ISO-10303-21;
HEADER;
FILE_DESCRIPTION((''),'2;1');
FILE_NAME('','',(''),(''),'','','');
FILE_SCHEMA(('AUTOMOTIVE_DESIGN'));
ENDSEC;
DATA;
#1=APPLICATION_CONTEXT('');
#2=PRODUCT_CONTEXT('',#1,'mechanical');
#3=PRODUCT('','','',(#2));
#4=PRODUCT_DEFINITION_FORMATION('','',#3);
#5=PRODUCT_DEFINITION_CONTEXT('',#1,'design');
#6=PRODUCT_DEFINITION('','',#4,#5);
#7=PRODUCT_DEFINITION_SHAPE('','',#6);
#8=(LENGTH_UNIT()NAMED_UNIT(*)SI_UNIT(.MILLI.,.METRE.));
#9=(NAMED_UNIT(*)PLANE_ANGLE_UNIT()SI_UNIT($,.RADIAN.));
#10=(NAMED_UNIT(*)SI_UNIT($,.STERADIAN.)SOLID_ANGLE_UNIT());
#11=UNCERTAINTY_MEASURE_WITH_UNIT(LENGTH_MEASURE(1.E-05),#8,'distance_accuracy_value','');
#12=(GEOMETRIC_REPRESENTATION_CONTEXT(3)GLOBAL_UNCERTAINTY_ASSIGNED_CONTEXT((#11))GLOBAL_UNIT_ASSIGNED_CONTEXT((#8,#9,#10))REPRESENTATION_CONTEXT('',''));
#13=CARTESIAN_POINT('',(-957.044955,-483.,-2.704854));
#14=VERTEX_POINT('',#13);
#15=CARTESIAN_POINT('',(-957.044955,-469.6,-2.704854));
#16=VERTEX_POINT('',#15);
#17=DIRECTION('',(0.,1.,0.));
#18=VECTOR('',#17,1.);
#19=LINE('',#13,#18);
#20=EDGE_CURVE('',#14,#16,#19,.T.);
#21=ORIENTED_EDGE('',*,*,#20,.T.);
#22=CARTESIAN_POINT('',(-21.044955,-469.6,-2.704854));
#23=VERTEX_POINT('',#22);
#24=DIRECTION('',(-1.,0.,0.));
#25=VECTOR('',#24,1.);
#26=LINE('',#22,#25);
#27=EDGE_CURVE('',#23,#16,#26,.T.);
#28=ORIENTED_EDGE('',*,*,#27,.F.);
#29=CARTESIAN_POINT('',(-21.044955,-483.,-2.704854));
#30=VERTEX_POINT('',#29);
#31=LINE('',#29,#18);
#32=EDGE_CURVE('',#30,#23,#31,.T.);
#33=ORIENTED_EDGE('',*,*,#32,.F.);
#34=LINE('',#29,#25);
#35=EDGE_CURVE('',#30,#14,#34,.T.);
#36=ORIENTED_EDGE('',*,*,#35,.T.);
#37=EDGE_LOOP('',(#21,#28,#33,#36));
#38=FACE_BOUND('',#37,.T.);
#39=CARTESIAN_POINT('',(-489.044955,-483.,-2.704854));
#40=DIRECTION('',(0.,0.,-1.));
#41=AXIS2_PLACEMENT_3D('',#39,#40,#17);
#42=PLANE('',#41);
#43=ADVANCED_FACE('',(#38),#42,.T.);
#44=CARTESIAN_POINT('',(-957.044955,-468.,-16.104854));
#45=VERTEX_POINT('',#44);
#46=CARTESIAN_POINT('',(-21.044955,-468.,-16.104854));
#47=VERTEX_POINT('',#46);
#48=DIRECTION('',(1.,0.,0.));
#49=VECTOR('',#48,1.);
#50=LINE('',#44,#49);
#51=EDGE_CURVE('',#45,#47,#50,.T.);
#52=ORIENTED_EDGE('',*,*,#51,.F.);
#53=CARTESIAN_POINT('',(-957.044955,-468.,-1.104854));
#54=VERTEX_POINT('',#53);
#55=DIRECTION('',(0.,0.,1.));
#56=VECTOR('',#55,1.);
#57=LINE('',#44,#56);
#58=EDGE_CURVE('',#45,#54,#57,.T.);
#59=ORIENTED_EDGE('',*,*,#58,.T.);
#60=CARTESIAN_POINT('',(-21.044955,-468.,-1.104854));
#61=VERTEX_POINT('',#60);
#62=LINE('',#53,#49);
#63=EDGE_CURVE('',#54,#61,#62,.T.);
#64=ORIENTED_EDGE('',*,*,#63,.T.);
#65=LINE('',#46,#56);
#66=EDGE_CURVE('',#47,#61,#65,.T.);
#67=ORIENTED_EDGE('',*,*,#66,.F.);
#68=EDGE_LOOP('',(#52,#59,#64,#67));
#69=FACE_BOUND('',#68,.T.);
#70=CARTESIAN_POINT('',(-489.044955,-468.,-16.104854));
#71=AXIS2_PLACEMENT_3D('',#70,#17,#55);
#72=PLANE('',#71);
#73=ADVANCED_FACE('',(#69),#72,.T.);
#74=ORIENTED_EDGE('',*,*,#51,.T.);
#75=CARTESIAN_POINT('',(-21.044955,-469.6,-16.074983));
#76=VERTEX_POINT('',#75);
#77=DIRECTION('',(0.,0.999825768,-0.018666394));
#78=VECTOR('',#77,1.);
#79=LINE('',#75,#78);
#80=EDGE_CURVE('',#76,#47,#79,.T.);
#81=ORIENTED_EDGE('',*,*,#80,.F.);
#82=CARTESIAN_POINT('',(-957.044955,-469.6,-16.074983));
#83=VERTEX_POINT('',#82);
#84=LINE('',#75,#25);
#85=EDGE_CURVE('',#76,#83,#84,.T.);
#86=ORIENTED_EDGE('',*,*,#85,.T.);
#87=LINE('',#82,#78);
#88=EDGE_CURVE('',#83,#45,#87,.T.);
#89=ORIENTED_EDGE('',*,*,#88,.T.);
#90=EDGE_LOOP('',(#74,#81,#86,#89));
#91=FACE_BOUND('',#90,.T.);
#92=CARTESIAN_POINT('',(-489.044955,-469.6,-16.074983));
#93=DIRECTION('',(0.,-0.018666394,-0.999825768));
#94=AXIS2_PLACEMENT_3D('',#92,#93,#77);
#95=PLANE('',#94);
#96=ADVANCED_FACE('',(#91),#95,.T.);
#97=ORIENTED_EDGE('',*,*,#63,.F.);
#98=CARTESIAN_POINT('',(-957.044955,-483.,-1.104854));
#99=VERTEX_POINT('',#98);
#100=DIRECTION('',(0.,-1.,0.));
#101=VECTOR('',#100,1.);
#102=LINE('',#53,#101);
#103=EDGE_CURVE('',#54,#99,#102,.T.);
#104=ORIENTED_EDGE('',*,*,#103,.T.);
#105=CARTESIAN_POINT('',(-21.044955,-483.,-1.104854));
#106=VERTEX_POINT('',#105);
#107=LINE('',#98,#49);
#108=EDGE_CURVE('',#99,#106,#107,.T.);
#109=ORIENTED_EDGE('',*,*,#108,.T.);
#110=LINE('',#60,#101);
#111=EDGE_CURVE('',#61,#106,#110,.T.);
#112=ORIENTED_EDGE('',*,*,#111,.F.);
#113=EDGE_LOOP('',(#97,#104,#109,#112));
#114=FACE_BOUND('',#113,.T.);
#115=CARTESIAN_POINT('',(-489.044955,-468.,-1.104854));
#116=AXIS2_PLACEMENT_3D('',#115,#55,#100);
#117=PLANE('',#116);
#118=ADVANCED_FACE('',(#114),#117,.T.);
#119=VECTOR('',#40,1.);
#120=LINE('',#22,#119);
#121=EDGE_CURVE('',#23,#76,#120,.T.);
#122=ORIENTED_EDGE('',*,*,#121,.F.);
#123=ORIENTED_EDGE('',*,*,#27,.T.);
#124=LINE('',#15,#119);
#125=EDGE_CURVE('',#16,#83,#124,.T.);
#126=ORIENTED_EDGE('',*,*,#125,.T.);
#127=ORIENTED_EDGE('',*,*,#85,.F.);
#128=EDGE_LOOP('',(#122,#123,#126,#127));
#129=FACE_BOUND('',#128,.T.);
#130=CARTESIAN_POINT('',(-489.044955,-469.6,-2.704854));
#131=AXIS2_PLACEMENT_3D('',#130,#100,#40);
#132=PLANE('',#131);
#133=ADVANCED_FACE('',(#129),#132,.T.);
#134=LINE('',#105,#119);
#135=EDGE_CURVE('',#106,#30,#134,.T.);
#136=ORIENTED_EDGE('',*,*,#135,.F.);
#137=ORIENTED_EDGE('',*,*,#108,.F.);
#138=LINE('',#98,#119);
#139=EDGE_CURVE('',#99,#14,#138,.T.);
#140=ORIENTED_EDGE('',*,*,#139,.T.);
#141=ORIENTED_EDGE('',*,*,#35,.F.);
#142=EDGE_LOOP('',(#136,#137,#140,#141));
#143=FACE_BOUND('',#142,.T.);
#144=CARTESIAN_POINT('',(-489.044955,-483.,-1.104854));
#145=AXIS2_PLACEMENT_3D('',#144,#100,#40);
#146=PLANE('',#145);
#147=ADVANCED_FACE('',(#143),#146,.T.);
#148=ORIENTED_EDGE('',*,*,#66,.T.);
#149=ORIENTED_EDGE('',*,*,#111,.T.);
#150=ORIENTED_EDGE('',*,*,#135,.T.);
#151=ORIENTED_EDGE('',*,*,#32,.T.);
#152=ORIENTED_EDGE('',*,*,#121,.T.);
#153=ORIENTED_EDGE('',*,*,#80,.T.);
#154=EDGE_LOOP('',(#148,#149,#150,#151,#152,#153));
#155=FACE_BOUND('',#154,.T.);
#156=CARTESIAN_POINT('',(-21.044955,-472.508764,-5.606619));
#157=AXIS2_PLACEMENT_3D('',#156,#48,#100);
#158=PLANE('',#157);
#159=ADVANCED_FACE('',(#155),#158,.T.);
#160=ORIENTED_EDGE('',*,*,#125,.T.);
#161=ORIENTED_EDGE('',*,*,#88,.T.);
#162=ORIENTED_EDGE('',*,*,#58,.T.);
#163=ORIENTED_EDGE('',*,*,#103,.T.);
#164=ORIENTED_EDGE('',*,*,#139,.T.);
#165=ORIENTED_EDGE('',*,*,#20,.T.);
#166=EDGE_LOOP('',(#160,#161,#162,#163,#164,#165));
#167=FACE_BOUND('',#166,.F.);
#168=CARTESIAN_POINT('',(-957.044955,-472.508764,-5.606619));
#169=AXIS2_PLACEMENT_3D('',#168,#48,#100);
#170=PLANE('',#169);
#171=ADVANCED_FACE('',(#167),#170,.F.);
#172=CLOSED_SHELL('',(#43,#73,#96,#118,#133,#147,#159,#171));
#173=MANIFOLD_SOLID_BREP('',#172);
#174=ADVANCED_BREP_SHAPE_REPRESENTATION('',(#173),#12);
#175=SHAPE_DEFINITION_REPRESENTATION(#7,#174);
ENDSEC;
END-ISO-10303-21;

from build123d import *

# Parameters (mm, degrees)
F1_DEPTH = 468
F2_ANGLE = 180
F3_ANGLE = 90


with BuildPart() as f1:
    # F0 (on Front) → F1 (new body, symmetric)
    with BuildSketch(Plane.XZ):
        Polygon((-19.4449553564, 13.8652742597), (-21.0449553564, 13.8951456954), (-21.0449553564, -1.1048543046), (-6.0449553564, -1.1048543046), (-6.0449553564, 0.4951456954), (-19.4449553564, 0.4951456954), align=None)
    extrude(amount=F1_DEPTH, both=True)


with BuildPart() as f1_1:
    # F2: moved
    add(f1.part.rotate(Axis((-21.0449553564, 0, -1.1048543046), (0, -1, 0)), F2_ANGLE))


with BuildPart() as f1_2:
    # F3: moved
    add(f1_1.part.rotate(Axis((-21.0449553564, -468, -8.6048543046), (0, 0, 1)), F3_ANGLE))


solid = f1_2.part
